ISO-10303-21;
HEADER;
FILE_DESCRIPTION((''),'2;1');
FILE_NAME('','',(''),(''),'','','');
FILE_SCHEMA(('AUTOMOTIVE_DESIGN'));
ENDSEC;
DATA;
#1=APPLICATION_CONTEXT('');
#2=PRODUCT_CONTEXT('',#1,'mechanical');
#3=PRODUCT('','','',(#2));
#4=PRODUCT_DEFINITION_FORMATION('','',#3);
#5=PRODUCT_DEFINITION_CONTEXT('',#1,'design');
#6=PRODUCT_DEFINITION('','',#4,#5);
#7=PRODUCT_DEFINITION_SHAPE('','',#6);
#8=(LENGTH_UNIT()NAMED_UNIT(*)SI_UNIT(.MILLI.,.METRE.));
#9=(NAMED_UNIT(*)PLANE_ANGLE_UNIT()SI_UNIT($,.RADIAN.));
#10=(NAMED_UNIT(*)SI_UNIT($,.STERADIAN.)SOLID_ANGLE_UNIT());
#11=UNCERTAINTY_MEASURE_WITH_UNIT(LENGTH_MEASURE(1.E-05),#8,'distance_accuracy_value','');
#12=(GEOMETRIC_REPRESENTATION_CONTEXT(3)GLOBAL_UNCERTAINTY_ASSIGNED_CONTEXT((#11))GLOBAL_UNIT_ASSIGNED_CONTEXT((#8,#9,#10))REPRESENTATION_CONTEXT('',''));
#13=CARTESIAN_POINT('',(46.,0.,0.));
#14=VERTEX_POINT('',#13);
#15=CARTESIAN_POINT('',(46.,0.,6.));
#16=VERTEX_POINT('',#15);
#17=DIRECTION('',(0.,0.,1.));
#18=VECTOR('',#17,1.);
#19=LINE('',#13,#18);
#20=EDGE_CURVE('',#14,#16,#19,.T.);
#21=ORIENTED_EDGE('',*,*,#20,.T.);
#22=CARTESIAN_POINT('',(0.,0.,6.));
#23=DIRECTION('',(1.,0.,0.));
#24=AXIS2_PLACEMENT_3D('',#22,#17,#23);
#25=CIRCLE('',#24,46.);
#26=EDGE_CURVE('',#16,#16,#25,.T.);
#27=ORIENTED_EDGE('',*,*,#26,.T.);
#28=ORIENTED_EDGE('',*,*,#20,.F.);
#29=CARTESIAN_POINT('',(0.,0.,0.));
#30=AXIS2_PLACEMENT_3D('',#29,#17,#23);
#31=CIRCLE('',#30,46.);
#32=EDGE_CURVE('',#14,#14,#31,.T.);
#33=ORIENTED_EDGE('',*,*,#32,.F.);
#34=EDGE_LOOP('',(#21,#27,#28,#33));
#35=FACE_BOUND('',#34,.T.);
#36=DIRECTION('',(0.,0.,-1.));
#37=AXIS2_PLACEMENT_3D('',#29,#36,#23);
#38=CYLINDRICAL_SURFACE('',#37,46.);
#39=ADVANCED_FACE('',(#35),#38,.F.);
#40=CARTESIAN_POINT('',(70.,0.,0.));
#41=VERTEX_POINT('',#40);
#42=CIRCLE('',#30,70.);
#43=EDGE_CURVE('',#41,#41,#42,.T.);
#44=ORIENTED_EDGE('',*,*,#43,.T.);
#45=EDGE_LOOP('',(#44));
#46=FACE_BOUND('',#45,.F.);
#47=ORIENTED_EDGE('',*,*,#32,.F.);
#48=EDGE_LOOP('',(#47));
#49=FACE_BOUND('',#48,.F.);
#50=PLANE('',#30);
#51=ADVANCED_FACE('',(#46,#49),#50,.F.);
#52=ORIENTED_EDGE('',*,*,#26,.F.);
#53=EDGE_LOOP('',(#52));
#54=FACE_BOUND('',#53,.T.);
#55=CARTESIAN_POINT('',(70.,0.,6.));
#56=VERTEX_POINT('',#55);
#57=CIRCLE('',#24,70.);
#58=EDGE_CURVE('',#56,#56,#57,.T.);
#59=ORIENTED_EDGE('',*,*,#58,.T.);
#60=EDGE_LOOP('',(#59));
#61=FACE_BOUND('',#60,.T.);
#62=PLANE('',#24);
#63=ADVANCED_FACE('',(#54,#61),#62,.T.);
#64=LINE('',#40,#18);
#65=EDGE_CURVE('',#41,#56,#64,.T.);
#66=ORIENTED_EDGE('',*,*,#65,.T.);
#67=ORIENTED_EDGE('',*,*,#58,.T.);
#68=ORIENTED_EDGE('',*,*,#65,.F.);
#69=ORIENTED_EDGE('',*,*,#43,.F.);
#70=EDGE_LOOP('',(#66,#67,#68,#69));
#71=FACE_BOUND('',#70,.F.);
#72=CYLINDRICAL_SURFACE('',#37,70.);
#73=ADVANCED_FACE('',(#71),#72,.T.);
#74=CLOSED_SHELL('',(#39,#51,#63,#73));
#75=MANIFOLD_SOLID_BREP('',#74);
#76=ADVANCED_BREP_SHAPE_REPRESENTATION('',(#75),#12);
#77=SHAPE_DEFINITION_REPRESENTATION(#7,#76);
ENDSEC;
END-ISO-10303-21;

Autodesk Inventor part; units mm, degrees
ref_plane "YZ Plane" through (0, 0, 0) normal (1, 0, 0) x (0, 1, 0)
ref_plane "XZ Plane" through (0, 0, 0) normal (0, 1, 0) x (-1, 0, 0)
ref_plane "XY Plane" through (0, 0, 0) normal (0, 0, 1) x (1, 0, 0)
sketch "Sketch2" plane through (0, 0, 0) normal (0, 0, 1) x (1, 0, 0)
  circle A0 centre (0, 0) radius 46
  circle A1 centre (0, 0) radius 70
  dimension "d25" = 92
  dimension "d27" = 140
extrude "Plate2" add sketch "Sketch2" along normal blind 6
equation "\"d14\" = Thickness"
equation "\"BendReliefWidth\" = Thickness"
equation "\"BendReliefDepth\" = 0.5 * Thickness"
equation "\"CornerReliefSize\" = 4 * Thickness"
equation "\"MinimumRemnant\" = 2 * Thickness"
equation "\"TransitionRadius\" = BendRadius"
equation "\"JacobiRadiusSize\" = BendRadius"
equation "\"GapSize\" = Thickness"
equation "\"Thickness\" = 6"
equation "\"BendRadius\" = 6"
properties part number "SLM 1432 FDS free flange DN90" material "Steel"
